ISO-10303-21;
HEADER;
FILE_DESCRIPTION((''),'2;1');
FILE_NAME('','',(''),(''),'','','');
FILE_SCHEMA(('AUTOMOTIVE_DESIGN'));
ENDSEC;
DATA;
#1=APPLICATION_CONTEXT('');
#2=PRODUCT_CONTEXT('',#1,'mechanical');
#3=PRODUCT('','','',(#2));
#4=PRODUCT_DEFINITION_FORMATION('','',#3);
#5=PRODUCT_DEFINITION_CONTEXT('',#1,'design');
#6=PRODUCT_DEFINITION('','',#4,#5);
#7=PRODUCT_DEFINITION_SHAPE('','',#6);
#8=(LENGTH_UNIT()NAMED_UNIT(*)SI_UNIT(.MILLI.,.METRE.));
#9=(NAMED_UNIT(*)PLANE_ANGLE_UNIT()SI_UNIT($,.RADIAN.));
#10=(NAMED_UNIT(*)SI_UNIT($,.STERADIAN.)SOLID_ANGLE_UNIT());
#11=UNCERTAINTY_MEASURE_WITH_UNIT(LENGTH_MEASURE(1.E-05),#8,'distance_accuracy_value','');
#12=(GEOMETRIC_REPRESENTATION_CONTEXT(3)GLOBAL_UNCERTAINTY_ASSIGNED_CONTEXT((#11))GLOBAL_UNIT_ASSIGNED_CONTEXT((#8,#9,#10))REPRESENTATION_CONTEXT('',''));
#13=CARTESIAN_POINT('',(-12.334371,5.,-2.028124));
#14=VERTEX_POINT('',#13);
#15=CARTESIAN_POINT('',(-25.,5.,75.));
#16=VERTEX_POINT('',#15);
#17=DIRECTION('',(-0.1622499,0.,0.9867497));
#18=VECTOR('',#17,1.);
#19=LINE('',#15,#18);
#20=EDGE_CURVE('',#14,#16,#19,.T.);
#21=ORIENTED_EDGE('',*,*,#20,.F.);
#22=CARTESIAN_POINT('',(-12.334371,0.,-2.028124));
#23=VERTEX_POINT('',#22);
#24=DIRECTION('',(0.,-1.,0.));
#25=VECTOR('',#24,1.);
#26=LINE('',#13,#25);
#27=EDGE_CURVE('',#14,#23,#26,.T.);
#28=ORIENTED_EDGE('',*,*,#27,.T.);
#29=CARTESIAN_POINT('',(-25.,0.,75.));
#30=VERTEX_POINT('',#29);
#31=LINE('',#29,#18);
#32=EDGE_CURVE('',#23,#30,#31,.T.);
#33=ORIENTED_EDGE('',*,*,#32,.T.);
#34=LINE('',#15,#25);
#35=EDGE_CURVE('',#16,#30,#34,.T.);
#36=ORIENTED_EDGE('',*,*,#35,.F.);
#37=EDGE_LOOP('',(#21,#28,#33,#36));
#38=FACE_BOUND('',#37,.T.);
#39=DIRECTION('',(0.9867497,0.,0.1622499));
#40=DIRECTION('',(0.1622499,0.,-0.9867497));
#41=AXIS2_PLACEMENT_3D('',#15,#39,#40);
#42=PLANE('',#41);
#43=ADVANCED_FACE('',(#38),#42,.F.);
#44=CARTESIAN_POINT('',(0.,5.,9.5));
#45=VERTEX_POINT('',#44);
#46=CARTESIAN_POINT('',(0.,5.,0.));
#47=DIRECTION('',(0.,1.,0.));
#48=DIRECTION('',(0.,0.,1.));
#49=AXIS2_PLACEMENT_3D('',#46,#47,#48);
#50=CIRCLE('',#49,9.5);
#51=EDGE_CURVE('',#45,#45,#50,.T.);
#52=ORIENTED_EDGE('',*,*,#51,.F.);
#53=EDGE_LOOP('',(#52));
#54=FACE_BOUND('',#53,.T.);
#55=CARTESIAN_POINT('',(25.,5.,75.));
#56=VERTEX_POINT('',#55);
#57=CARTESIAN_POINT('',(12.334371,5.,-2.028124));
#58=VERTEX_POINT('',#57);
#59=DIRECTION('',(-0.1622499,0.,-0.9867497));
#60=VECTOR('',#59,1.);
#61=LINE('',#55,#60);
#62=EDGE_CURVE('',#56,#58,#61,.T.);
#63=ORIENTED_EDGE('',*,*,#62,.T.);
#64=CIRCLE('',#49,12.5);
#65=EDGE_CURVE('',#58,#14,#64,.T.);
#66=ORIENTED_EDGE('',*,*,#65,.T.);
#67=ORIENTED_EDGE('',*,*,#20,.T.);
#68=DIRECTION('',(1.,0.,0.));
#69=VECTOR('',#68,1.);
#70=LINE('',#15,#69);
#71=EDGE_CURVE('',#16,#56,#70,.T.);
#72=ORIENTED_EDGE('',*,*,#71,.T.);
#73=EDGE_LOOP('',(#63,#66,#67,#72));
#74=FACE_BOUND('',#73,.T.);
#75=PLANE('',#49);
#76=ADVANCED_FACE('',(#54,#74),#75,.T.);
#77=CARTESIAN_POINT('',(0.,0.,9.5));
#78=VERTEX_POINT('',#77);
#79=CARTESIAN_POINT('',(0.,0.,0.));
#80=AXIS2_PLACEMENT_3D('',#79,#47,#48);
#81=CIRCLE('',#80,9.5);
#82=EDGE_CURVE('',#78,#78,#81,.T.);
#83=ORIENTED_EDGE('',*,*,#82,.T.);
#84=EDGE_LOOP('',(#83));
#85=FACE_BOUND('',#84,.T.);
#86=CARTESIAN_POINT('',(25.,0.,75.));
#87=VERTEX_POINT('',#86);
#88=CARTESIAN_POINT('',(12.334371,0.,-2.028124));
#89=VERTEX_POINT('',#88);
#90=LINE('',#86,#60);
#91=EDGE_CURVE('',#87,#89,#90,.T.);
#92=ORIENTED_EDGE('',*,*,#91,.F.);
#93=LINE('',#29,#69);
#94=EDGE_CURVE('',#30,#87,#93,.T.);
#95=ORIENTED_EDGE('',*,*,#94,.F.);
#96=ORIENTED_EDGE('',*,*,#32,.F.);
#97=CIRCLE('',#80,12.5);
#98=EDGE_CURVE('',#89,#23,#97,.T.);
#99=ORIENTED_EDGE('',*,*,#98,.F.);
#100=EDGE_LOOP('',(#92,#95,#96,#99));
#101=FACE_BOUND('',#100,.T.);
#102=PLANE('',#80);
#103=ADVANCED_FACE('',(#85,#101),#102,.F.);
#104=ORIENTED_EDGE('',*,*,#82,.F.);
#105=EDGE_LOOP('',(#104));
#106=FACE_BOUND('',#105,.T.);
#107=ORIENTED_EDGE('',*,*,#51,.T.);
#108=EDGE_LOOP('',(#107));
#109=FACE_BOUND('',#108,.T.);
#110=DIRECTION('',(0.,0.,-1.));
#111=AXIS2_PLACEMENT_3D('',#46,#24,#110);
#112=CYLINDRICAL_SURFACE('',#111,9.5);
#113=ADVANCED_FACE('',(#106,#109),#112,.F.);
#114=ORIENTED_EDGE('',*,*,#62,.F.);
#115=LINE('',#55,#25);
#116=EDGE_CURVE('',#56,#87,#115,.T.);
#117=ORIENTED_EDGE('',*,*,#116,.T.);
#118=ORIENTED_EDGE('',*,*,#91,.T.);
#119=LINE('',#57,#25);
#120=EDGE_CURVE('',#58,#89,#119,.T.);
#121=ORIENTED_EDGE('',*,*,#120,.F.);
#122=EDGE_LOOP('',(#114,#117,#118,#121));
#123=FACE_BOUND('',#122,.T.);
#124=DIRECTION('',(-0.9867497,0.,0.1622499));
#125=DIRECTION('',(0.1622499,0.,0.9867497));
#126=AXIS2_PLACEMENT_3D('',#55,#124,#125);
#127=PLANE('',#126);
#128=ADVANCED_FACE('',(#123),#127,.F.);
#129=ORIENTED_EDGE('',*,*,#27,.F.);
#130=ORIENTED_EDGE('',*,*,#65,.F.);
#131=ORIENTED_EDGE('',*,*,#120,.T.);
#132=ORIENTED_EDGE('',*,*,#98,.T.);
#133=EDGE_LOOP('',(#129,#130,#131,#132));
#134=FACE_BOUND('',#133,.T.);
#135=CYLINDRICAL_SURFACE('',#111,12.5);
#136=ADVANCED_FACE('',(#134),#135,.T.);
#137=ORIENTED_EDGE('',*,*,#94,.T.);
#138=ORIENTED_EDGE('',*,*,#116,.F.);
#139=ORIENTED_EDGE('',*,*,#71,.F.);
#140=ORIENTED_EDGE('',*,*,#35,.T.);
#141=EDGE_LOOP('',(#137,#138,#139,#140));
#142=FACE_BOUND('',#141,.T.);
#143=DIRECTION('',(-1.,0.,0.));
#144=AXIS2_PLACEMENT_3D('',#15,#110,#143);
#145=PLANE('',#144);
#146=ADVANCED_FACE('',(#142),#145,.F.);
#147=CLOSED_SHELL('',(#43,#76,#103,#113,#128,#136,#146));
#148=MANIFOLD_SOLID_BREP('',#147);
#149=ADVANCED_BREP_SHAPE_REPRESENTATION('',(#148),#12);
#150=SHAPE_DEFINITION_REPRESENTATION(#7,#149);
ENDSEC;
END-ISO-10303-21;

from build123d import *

# Parameters (mm, degrees)
SKETCH1_R           = 9.5
BOSS_EXTRUDE1_DEPTH = 5


with BuildPart() as part:
    # Sketch1 → Boss-Extrude1 (new body)
    with BuildSketch(Plane(origin=(0, 0, 0), x_dir=(1, 0, 0), z_dir=(0, 1, 0))):
        with BuildLine():
            Line((-25, -75), (25, -75))
            Line((25, -75), (12.334371247, 2.028123749))
            ThreePointArc((12.334371247, 2.028123749), (0, 12.5), (-12.334371247, 2.028123749))
            Line((-12.334371247, 2.028123749), (-25, -75))
        make_face()
        with Locations(Location((0, 0, 0), (0, 0, 270))):
            Circle(SKETCH1_R, mode=Mode.SUBTRACT)
    extrude(amount=BOSS_EXTRUDE1_DEPTH)


solid = part.part
